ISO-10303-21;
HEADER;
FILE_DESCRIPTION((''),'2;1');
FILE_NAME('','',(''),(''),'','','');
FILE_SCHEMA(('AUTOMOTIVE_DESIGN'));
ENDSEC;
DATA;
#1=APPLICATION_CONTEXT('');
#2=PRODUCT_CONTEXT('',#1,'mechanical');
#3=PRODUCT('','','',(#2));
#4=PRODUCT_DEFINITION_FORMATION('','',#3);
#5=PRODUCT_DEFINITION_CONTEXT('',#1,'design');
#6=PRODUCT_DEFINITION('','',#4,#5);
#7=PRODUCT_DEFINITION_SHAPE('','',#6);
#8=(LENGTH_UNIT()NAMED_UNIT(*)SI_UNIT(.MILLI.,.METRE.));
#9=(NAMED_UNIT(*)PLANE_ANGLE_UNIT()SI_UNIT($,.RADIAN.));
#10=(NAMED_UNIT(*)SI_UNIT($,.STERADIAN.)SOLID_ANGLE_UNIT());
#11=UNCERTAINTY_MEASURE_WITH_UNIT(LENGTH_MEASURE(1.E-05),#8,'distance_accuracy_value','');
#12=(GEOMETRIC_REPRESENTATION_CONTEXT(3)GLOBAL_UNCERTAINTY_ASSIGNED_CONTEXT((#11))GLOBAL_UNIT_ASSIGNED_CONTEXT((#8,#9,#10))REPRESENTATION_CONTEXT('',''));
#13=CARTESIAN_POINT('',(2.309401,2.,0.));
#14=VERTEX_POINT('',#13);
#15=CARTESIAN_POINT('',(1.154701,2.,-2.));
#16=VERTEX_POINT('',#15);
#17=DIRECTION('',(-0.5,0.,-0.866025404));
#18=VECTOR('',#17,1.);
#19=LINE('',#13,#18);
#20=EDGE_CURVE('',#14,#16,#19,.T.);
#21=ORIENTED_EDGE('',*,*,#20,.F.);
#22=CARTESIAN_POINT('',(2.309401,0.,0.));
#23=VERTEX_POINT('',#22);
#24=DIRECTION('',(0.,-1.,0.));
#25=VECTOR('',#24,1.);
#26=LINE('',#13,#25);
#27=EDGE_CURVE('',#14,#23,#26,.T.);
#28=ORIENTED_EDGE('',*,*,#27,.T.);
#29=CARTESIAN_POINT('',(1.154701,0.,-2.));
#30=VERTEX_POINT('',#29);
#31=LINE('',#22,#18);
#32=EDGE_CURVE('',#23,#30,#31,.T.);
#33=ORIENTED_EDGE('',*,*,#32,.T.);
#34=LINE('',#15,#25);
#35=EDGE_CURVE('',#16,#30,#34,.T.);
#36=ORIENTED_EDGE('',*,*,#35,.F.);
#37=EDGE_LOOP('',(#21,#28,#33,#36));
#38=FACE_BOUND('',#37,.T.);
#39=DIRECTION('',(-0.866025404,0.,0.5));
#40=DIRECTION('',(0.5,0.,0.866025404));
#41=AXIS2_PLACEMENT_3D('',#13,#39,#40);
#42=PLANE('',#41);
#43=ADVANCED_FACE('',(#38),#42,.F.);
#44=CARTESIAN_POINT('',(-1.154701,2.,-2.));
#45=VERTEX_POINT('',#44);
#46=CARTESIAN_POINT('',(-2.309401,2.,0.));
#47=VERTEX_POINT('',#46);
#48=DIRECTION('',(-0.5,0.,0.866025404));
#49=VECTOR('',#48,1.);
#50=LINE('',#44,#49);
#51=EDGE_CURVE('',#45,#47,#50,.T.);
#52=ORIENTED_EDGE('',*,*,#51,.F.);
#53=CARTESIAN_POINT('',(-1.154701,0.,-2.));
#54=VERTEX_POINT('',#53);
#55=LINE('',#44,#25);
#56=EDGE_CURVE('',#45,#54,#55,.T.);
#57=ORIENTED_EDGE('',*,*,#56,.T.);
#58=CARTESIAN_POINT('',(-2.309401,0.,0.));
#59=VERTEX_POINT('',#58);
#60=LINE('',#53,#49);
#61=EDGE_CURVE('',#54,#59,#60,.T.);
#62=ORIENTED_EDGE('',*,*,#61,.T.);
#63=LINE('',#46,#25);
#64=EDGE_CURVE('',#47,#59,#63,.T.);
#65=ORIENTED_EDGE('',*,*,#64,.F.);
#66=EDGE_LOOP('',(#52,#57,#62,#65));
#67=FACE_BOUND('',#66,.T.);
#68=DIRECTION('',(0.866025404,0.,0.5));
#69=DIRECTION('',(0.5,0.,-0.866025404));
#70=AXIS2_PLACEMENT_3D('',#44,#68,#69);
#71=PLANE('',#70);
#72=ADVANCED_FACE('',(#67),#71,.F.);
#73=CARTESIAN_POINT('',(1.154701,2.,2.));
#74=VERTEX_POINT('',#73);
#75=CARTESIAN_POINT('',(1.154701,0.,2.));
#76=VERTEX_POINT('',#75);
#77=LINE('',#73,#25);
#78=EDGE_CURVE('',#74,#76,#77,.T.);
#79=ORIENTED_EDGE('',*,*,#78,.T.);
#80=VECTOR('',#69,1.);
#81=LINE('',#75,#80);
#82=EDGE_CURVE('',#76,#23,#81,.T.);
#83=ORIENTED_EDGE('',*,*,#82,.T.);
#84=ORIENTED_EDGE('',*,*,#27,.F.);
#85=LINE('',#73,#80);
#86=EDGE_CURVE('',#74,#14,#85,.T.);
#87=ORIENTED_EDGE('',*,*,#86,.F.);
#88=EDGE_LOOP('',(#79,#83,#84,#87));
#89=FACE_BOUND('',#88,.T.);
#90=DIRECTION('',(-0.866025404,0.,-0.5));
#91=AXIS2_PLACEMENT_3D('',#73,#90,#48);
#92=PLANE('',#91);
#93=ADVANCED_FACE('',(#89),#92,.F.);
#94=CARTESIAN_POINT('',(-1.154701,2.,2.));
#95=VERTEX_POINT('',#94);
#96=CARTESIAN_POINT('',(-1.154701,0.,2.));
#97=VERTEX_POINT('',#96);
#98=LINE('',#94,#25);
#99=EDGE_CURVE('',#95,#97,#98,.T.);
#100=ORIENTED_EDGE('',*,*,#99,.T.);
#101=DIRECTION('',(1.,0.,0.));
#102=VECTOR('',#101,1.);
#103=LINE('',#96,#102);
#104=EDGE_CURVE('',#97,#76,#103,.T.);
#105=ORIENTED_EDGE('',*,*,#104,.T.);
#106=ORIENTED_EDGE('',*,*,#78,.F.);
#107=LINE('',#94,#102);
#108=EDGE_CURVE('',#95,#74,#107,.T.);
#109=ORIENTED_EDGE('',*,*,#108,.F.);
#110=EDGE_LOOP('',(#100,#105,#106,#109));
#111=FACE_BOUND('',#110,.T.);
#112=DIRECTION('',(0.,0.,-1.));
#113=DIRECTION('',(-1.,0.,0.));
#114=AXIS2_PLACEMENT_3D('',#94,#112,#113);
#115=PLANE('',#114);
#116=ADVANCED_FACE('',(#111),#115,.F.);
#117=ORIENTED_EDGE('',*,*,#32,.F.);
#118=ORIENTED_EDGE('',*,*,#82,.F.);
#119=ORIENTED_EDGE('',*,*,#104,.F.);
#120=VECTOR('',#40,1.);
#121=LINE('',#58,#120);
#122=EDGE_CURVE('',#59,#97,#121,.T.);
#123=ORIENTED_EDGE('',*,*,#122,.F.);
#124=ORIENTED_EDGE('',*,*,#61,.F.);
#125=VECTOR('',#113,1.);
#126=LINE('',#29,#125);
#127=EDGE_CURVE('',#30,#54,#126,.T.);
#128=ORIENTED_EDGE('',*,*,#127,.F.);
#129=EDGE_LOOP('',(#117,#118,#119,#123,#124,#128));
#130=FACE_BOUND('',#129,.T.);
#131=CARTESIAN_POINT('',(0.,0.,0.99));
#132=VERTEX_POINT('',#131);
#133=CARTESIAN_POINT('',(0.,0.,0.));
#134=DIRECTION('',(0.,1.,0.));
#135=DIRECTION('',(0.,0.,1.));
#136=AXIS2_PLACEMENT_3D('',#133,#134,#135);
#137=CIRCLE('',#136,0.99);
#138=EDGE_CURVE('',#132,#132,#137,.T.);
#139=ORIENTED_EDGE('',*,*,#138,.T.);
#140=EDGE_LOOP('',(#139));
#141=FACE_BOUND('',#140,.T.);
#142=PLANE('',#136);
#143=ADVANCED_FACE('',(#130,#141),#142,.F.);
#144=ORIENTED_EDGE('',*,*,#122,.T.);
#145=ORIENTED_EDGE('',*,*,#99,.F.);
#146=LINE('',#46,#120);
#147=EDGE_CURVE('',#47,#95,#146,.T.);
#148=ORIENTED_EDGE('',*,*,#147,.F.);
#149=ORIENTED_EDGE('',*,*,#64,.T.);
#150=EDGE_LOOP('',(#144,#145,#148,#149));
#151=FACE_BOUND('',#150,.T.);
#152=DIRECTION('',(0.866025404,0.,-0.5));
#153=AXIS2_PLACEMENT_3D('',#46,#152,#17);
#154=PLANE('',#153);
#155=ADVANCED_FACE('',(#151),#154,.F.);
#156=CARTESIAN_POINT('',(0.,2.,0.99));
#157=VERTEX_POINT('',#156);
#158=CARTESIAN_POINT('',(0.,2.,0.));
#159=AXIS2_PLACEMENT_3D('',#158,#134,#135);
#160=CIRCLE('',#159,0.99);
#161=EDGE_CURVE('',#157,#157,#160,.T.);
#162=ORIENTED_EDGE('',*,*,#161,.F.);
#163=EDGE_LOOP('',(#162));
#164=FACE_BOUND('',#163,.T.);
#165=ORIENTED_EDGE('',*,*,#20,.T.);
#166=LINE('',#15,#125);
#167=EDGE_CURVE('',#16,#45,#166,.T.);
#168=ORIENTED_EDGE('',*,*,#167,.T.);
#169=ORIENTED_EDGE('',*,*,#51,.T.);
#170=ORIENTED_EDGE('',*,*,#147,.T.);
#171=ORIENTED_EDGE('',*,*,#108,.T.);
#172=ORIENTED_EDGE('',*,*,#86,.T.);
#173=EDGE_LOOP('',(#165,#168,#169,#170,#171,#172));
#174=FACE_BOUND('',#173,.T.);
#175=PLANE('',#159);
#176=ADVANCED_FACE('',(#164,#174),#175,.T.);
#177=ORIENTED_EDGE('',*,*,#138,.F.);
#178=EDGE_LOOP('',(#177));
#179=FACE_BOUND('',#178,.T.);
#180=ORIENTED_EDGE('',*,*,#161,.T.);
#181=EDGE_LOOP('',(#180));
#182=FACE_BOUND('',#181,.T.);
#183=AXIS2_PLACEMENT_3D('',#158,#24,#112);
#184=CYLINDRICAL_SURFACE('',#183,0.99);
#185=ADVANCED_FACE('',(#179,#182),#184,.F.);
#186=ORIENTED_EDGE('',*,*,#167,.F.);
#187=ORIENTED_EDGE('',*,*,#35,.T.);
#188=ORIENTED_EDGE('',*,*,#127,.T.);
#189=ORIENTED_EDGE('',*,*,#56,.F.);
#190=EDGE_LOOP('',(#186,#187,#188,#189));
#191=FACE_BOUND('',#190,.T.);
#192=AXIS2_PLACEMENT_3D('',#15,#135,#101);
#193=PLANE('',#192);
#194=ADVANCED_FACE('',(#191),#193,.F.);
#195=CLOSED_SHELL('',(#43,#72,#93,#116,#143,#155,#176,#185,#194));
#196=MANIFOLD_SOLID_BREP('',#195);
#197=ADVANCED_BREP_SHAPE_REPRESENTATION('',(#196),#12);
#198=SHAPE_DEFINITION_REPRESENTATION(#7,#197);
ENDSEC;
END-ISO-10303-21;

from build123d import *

# Parameters (mm, degrees)
BOSS_EXTRUDE1_DEPTH = 2
SKETCH2_R           = 0.99
CUT_EXTRUDE1_DEPTH  = 3


with BuildPart() as part:
    # Sketch1 → Boss-Extrude1 (new body)
    with BuildSketch(Plane(origin=(0, 0, 0), x_dir=(1, 0, 0), z_dir=(0, 1, 0))):
        Polygon((2.309401077, 0), (1.154700538, 2), (-1.154700538, 2), (-2.309401077, 0), (-1.154700538, -2), (1.154700538, -2), align=None)
    extrude(amount=BOSS_EXTRUDE1_DEPTH)

    # Sketch2 → Cut-Extrude1 (cut, through all)
    with BuildSketch(Plane(origin=(0, 0, 0), x_dir=(1, 0, 0), z_dir=(0, 1, 0))):
        Circle(SKETCH2_R)
    extrude(amount=CUT_EXTRUDE1_DEPTH, mode=Mode.SUBTRACT)


solid = part.part
